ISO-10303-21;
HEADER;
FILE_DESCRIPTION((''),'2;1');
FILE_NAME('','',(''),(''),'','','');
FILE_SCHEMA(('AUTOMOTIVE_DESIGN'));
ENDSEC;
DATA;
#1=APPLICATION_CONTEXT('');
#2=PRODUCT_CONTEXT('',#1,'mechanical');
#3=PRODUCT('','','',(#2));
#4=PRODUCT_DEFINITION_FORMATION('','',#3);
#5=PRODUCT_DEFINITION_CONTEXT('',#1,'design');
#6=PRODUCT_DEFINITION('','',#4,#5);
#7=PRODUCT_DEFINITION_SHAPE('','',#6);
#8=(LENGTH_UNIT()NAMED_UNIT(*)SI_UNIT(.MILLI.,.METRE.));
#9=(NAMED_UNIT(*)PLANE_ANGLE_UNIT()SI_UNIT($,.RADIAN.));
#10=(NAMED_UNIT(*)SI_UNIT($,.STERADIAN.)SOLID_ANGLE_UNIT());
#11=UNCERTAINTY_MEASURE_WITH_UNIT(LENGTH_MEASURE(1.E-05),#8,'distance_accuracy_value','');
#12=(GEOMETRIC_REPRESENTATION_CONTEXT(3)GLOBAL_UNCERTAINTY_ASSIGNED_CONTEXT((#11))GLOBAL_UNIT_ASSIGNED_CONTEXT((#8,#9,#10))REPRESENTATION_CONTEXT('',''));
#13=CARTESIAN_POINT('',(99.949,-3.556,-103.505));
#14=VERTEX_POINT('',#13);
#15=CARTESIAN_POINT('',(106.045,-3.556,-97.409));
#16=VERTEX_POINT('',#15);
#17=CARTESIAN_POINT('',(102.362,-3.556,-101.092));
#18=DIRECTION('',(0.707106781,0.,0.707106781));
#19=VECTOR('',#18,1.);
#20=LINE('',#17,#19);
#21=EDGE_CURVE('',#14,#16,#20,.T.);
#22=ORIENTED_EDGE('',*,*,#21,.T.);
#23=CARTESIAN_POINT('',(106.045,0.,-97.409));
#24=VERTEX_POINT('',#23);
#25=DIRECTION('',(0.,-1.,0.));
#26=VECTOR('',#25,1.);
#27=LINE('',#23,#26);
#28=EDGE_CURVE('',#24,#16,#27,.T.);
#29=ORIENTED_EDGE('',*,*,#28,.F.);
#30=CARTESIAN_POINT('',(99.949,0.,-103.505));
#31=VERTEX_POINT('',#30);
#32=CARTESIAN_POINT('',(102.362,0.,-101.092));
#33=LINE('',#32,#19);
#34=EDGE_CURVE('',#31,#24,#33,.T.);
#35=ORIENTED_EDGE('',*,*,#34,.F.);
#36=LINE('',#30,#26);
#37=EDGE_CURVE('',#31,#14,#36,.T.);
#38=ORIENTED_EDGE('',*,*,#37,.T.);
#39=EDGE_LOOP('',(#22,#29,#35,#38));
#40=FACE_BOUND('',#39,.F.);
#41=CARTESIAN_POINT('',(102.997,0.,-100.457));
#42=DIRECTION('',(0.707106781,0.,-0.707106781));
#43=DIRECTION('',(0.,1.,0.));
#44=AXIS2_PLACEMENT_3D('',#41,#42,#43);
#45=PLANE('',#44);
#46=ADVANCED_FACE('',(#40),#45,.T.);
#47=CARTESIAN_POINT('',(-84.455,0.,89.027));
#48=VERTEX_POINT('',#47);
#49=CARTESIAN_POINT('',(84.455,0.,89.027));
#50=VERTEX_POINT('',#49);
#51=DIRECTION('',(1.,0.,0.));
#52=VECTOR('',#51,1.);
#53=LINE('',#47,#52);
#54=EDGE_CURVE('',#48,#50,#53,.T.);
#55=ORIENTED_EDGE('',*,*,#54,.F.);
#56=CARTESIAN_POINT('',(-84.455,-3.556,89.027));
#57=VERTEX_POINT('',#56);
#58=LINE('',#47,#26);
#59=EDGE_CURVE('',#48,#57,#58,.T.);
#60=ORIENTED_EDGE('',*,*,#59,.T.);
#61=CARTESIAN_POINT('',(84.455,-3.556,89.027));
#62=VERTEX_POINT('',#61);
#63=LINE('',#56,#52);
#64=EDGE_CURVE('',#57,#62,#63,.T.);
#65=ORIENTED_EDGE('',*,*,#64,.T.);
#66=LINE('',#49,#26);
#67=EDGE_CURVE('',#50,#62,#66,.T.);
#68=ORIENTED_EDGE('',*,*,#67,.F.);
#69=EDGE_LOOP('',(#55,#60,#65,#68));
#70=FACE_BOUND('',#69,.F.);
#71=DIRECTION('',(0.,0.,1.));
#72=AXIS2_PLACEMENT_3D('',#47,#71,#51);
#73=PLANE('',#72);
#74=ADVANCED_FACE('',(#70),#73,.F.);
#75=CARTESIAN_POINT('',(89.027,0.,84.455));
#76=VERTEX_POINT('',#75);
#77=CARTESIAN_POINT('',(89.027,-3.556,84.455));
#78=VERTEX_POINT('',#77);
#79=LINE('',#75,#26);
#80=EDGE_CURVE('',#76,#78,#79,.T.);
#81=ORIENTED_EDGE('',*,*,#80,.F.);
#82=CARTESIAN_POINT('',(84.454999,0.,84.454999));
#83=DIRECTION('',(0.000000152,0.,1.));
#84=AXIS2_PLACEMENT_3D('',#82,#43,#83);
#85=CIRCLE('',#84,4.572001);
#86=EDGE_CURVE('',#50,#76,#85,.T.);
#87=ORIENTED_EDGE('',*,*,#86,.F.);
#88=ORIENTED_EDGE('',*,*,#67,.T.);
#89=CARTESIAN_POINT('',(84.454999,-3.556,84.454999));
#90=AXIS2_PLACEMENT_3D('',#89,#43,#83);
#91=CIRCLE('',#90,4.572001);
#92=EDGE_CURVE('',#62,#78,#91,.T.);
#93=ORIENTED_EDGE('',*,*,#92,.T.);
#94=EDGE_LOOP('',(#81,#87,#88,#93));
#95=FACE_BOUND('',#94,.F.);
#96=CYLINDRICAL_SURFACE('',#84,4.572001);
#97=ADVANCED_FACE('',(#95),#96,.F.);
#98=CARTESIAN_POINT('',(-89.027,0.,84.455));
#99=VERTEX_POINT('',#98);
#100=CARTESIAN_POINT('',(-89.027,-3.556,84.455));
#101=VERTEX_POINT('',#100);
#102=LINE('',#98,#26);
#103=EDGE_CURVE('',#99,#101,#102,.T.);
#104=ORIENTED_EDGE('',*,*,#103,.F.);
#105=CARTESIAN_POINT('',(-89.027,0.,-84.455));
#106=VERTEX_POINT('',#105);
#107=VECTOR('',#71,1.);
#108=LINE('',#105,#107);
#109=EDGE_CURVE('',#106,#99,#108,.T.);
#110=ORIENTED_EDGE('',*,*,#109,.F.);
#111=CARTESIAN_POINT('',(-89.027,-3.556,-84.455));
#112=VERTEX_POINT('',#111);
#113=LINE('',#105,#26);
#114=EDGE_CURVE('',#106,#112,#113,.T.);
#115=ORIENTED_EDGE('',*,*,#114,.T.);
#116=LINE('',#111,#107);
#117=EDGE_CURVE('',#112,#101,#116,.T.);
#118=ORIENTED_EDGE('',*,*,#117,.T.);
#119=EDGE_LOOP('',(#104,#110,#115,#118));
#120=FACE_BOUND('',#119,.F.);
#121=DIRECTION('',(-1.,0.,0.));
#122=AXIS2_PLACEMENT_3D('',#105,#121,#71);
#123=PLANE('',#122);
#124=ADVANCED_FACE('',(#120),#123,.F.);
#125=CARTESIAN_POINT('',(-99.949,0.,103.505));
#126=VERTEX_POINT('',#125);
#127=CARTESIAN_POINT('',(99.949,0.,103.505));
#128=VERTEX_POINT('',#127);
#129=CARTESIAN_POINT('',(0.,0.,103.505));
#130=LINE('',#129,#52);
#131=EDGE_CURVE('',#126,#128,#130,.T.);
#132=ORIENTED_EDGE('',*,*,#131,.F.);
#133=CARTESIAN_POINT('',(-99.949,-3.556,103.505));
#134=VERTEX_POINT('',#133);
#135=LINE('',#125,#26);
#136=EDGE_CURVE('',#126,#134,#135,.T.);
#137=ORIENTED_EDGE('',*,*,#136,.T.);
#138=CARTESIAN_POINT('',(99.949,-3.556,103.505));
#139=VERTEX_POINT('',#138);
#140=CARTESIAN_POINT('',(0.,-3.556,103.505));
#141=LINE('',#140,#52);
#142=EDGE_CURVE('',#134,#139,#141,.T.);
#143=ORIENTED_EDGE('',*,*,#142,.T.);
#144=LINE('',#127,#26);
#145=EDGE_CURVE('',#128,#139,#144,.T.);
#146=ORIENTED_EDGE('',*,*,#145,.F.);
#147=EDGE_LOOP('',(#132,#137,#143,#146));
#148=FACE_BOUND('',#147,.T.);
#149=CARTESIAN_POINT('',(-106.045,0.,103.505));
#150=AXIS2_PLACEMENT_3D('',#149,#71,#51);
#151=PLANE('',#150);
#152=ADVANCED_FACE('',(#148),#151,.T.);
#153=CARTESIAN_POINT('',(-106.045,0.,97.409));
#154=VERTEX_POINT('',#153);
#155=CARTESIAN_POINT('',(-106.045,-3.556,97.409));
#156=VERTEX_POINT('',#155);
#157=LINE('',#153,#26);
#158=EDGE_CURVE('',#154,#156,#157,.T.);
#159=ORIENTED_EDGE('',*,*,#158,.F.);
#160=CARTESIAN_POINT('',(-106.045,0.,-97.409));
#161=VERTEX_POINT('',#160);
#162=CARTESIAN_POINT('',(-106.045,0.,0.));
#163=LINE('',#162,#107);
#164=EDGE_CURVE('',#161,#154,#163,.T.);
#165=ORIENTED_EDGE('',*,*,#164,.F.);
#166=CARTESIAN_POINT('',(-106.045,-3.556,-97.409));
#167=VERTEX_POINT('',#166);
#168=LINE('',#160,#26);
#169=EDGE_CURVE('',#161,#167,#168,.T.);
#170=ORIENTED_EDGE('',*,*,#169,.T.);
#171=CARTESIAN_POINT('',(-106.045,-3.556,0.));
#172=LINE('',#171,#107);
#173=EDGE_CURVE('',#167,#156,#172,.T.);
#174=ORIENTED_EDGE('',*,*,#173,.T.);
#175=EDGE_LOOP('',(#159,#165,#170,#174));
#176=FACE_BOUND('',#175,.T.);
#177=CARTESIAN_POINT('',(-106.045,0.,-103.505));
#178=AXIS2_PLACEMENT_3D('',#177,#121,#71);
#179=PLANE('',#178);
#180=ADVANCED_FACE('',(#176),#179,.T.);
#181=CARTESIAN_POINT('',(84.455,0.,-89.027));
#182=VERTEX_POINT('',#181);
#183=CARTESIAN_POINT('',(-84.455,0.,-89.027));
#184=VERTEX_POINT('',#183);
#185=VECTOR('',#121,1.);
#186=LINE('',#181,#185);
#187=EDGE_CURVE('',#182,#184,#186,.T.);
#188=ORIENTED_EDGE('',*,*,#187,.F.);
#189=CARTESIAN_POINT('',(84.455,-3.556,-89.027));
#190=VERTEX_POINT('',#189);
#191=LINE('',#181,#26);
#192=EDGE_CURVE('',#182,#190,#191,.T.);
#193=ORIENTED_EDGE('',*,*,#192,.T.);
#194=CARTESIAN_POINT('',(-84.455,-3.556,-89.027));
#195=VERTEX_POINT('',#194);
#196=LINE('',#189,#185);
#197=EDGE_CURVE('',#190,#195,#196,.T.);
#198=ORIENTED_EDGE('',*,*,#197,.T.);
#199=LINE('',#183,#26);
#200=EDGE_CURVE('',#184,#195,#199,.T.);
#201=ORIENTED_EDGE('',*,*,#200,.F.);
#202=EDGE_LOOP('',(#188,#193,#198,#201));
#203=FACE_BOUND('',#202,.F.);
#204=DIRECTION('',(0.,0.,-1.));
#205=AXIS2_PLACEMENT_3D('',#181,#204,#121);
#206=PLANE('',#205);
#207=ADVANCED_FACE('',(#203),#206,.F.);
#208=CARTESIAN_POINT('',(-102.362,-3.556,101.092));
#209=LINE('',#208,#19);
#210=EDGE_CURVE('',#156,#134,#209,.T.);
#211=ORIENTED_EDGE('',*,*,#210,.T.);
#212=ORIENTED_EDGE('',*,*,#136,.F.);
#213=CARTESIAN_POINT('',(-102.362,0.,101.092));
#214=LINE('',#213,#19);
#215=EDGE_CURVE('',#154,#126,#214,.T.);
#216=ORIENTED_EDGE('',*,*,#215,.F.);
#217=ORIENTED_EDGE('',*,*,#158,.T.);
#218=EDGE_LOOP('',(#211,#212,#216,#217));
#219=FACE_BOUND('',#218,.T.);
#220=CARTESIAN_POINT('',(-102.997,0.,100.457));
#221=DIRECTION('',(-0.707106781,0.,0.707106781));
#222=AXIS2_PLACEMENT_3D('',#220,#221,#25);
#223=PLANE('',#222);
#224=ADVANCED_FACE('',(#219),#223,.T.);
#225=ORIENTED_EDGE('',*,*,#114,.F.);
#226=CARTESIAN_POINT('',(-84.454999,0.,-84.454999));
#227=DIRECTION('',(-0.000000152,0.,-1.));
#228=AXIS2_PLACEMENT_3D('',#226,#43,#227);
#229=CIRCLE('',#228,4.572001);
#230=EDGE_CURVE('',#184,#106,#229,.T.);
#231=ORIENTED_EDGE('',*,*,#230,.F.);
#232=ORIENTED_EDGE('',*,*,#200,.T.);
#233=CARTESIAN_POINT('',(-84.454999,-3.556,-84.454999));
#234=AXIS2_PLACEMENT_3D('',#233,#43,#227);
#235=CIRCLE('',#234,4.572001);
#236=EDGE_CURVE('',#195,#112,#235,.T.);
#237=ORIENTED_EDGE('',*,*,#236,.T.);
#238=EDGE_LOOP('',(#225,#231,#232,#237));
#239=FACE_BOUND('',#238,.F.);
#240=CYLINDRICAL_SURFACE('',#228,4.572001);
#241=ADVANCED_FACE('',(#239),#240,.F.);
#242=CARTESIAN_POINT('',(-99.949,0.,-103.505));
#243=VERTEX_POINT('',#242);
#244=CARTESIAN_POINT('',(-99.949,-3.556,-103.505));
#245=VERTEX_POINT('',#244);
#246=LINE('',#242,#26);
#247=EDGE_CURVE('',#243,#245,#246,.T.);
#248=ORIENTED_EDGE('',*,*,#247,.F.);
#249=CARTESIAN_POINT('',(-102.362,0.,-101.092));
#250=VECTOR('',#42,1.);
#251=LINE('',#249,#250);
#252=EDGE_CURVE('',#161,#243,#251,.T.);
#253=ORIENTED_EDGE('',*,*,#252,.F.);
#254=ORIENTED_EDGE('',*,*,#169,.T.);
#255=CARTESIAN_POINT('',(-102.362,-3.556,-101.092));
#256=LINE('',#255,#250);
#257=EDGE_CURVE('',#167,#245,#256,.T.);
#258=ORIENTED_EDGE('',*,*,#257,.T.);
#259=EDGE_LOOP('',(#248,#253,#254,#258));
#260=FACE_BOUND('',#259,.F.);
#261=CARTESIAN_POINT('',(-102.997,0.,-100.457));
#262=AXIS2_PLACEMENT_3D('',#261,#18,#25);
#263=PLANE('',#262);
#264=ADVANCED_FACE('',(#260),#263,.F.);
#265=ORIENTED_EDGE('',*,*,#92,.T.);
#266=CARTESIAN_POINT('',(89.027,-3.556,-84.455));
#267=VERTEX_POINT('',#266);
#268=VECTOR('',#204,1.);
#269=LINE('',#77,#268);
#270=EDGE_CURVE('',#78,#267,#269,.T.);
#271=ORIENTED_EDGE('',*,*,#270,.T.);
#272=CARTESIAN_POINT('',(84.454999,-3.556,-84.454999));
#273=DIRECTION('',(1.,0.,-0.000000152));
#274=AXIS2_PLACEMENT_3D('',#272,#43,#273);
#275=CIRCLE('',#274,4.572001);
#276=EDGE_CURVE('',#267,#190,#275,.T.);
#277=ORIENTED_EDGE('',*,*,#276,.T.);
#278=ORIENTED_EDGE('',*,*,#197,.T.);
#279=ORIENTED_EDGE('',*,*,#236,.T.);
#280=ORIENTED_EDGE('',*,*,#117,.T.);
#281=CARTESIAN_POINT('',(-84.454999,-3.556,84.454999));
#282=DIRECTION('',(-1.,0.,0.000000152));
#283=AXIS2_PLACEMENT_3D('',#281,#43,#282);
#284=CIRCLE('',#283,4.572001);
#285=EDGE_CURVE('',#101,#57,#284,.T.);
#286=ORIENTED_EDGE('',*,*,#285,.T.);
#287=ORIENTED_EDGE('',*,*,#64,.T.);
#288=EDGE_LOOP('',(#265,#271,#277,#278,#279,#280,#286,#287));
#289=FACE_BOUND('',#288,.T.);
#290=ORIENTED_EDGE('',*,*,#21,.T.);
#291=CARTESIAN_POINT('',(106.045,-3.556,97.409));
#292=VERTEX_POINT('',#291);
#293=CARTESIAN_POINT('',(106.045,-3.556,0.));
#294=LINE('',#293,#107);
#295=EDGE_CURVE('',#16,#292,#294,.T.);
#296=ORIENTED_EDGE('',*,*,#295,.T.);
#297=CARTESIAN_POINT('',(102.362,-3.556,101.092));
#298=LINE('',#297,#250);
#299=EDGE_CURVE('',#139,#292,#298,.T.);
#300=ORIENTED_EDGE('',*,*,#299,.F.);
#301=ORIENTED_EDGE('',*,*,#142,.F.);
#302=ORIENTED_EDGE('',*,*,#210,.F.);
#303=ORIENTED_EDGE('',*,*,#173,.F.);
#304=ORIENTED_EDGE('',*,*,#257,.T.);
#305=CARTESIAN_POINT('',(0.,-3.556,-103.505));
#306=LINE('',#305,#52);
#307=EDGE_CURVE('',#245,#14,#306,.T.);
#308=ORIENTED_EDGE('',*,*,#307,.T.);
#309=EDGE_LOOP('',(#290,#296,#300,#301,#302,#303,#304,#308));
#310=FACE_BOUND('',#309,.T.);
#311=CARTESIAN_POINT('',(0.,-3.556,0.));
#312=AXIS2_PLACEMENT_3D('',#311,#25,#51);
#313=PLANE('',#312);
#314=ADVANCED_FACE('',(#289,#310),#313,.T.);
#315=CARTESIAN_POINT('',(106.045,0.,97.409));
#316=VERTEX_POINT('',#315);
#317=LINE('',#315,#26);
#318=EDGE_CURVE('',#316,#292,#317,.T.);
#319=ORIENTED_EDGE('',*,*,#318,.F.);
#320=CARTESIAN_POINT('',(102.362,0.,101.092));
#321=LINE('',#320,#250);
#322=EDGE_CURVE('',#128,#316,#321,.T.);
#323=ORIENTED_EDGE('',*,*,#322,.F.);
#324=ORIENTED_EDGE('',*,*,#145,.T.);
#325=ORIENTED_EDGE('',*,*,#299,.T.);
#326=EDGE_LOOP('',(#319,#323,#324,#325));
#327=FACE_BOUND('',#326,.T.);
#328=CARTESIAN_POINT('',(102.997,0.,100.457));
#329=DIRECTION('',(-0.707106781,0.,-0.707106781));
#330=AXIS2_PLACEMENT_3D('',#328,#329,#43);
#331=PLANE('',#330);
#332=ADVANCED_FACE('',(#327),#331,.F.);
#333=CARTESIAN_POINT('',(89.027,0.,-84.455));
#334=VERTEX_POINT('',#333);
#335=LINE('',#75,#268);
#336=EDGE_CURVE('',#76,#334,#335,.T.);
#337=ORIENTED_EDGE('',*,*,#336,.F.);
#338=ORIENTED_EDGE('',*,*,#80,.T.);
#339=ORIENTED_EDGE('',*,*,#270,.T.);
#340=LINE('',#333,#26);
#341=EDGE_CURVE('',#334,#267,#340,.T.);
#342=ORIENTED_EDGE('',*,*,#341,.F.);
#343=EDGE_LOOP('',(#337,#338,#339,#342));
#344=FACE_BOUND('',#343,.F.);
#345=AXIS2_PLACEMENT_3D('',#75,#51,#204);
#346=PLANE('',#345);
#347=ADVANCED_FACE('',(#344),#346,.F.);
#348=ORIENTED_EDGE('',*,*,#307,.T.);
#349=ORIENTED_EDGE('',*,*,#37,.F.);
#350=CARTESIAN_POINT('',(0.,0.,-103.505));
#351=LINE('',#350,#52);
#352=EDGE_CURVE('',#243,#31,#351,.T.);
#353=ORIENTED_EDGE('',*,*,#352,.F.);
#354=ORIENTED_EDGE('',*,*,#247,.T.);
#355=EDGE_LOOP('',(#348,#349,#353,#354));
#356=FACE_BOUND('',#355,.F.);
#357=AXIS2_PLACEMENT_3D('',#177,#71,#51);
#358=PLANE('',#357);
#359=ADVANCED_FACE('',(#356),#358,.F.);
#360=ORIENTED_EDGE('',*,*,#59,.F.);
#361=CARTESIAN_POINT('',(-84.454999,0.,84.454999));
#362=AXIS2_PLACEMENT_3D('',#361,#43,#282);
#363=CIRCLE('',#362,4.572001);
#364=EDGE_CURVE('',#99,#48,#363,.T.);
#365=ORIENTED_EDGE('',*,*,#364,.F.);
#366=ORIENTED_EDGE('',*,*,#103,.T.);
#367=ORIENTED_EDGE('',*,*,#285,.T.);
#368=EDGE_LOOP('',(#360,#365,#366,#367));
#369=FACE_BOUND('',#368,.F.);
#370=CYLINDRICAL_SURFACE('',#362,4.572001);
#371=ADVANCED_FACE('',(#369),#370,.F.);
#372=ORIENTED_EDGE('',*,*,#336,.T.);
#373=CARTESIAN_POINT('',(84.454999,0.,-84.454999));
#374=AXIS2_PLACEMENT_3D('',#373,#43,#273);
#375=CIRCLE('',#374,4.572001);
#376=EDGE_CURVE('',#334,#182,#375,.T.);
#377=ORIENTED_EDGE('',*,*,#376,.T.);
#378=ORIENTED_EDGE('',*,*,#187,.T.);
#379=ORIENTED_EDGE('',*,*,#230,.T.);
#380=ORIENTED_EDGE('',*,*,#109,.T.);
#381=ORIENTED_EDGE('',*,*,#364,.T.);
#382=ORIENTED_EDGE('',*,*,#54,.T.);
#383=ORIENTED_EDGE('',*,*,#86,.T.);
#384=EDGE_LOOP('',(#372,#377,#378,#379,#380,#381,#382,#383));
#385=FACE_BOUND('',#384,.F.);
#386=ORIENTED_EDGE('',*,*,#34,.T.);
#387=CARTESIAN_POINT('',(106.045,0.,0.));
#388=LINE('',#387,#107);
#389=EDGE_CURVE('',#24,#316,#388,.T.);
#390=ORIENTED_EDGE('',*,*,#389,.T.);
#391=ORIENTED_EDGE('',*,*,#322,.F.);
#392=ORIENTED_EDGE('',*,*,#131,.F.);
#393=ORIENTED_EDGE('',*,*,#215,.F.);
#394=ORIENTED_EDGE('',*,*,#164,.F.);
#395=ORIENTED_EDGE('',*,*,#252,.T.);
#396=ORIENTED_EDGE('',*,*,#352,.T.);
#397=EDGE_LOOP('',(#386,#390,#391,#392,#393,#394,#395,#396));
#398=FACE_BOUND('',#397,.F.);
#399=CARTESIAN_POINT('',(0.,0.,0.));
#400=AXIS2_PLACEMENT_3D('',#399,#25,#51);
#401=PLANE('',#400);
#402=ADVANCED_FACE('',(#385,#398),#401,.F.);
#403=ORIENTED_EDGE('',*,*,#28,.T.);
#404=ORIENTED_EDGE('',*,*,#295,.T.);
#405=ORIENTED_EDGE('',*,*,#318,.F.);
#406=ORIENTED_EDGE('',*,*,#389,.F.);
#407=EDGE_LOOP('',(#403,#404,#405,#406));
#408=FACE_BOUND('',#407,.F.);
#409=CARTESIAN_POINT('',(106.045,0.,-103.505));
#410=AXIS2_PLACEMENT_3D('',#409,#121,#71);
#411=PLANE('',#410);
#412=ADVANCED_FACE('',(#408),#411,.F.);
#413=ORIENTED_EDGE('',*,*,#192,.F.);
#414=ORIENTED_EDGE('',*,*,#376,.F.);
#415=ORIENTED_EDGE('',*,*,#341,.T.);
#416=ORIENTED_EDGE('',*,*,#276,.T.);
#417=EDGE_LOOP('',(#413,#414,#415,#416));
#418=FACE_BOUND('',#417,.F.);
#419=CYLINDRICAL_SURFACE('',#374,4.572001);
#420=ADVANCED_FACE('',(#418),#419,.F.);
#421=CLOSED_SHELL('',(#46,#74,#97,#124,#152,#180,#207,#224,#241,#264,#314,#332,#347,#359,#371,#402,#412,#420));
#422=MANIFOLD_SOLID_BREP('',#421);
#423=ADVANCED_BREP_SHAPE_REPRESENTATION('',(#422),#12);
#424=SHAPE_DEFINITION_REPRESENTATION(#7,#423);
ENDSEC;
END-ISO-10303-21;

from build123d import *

# Parameters (mm, degrees)
F0_W     = 212.09
F0_H     = 207.01
F1_DEPTH = 3.556
F2_SIZE  = 6.096


with BuildPart() as f1:
    # F0 (on Front) → F1 (new body)
    with BuildSketch(Plane.XZ):
        Rectangle(F0_W, F0_H)
        with BuildLine():
            Line((84.455, -89.027), (-84.455, -89.027))
            ThreePointArc((-84.455, -89.027), (-87.687892, -87.687892), (-89.027, -84.455))
            Line((-89.027, -84.455), (-89.027, 84.455))
            ThreePointArc((-89.027, 84.455), (-87.687892, 87.687892), (-84.455, 89.027))
            Line((-84.455, 89.027), (84.455, 89.027))
            ThreePointArc((84.455, 89.027), (87.687892, 87.687892), (89.027, 84.455))
            Line((89.027, 84.455), (89.027, -84.455))
            ThreePointArc((89.027, -84.455), (87.687892, -87.687892), (84.455, -89.027))
        make_face(mode=Mode.SUBTRACT)
    extrude(amount=F1_DEPTH)

    # F2
    f2_edges = [f1.edges().sort_by_distance(p)[0] for p in [
        (-106.045, -1.778, 103.505),
        (106.045, -1.778, 103.505),
        (106.045, -1.778, -103.505),
        (-106.045, -1.778, -103.505),
    ]]
    chamfer(f2_edges, length=F2_SIZE)


solid = f1.part
